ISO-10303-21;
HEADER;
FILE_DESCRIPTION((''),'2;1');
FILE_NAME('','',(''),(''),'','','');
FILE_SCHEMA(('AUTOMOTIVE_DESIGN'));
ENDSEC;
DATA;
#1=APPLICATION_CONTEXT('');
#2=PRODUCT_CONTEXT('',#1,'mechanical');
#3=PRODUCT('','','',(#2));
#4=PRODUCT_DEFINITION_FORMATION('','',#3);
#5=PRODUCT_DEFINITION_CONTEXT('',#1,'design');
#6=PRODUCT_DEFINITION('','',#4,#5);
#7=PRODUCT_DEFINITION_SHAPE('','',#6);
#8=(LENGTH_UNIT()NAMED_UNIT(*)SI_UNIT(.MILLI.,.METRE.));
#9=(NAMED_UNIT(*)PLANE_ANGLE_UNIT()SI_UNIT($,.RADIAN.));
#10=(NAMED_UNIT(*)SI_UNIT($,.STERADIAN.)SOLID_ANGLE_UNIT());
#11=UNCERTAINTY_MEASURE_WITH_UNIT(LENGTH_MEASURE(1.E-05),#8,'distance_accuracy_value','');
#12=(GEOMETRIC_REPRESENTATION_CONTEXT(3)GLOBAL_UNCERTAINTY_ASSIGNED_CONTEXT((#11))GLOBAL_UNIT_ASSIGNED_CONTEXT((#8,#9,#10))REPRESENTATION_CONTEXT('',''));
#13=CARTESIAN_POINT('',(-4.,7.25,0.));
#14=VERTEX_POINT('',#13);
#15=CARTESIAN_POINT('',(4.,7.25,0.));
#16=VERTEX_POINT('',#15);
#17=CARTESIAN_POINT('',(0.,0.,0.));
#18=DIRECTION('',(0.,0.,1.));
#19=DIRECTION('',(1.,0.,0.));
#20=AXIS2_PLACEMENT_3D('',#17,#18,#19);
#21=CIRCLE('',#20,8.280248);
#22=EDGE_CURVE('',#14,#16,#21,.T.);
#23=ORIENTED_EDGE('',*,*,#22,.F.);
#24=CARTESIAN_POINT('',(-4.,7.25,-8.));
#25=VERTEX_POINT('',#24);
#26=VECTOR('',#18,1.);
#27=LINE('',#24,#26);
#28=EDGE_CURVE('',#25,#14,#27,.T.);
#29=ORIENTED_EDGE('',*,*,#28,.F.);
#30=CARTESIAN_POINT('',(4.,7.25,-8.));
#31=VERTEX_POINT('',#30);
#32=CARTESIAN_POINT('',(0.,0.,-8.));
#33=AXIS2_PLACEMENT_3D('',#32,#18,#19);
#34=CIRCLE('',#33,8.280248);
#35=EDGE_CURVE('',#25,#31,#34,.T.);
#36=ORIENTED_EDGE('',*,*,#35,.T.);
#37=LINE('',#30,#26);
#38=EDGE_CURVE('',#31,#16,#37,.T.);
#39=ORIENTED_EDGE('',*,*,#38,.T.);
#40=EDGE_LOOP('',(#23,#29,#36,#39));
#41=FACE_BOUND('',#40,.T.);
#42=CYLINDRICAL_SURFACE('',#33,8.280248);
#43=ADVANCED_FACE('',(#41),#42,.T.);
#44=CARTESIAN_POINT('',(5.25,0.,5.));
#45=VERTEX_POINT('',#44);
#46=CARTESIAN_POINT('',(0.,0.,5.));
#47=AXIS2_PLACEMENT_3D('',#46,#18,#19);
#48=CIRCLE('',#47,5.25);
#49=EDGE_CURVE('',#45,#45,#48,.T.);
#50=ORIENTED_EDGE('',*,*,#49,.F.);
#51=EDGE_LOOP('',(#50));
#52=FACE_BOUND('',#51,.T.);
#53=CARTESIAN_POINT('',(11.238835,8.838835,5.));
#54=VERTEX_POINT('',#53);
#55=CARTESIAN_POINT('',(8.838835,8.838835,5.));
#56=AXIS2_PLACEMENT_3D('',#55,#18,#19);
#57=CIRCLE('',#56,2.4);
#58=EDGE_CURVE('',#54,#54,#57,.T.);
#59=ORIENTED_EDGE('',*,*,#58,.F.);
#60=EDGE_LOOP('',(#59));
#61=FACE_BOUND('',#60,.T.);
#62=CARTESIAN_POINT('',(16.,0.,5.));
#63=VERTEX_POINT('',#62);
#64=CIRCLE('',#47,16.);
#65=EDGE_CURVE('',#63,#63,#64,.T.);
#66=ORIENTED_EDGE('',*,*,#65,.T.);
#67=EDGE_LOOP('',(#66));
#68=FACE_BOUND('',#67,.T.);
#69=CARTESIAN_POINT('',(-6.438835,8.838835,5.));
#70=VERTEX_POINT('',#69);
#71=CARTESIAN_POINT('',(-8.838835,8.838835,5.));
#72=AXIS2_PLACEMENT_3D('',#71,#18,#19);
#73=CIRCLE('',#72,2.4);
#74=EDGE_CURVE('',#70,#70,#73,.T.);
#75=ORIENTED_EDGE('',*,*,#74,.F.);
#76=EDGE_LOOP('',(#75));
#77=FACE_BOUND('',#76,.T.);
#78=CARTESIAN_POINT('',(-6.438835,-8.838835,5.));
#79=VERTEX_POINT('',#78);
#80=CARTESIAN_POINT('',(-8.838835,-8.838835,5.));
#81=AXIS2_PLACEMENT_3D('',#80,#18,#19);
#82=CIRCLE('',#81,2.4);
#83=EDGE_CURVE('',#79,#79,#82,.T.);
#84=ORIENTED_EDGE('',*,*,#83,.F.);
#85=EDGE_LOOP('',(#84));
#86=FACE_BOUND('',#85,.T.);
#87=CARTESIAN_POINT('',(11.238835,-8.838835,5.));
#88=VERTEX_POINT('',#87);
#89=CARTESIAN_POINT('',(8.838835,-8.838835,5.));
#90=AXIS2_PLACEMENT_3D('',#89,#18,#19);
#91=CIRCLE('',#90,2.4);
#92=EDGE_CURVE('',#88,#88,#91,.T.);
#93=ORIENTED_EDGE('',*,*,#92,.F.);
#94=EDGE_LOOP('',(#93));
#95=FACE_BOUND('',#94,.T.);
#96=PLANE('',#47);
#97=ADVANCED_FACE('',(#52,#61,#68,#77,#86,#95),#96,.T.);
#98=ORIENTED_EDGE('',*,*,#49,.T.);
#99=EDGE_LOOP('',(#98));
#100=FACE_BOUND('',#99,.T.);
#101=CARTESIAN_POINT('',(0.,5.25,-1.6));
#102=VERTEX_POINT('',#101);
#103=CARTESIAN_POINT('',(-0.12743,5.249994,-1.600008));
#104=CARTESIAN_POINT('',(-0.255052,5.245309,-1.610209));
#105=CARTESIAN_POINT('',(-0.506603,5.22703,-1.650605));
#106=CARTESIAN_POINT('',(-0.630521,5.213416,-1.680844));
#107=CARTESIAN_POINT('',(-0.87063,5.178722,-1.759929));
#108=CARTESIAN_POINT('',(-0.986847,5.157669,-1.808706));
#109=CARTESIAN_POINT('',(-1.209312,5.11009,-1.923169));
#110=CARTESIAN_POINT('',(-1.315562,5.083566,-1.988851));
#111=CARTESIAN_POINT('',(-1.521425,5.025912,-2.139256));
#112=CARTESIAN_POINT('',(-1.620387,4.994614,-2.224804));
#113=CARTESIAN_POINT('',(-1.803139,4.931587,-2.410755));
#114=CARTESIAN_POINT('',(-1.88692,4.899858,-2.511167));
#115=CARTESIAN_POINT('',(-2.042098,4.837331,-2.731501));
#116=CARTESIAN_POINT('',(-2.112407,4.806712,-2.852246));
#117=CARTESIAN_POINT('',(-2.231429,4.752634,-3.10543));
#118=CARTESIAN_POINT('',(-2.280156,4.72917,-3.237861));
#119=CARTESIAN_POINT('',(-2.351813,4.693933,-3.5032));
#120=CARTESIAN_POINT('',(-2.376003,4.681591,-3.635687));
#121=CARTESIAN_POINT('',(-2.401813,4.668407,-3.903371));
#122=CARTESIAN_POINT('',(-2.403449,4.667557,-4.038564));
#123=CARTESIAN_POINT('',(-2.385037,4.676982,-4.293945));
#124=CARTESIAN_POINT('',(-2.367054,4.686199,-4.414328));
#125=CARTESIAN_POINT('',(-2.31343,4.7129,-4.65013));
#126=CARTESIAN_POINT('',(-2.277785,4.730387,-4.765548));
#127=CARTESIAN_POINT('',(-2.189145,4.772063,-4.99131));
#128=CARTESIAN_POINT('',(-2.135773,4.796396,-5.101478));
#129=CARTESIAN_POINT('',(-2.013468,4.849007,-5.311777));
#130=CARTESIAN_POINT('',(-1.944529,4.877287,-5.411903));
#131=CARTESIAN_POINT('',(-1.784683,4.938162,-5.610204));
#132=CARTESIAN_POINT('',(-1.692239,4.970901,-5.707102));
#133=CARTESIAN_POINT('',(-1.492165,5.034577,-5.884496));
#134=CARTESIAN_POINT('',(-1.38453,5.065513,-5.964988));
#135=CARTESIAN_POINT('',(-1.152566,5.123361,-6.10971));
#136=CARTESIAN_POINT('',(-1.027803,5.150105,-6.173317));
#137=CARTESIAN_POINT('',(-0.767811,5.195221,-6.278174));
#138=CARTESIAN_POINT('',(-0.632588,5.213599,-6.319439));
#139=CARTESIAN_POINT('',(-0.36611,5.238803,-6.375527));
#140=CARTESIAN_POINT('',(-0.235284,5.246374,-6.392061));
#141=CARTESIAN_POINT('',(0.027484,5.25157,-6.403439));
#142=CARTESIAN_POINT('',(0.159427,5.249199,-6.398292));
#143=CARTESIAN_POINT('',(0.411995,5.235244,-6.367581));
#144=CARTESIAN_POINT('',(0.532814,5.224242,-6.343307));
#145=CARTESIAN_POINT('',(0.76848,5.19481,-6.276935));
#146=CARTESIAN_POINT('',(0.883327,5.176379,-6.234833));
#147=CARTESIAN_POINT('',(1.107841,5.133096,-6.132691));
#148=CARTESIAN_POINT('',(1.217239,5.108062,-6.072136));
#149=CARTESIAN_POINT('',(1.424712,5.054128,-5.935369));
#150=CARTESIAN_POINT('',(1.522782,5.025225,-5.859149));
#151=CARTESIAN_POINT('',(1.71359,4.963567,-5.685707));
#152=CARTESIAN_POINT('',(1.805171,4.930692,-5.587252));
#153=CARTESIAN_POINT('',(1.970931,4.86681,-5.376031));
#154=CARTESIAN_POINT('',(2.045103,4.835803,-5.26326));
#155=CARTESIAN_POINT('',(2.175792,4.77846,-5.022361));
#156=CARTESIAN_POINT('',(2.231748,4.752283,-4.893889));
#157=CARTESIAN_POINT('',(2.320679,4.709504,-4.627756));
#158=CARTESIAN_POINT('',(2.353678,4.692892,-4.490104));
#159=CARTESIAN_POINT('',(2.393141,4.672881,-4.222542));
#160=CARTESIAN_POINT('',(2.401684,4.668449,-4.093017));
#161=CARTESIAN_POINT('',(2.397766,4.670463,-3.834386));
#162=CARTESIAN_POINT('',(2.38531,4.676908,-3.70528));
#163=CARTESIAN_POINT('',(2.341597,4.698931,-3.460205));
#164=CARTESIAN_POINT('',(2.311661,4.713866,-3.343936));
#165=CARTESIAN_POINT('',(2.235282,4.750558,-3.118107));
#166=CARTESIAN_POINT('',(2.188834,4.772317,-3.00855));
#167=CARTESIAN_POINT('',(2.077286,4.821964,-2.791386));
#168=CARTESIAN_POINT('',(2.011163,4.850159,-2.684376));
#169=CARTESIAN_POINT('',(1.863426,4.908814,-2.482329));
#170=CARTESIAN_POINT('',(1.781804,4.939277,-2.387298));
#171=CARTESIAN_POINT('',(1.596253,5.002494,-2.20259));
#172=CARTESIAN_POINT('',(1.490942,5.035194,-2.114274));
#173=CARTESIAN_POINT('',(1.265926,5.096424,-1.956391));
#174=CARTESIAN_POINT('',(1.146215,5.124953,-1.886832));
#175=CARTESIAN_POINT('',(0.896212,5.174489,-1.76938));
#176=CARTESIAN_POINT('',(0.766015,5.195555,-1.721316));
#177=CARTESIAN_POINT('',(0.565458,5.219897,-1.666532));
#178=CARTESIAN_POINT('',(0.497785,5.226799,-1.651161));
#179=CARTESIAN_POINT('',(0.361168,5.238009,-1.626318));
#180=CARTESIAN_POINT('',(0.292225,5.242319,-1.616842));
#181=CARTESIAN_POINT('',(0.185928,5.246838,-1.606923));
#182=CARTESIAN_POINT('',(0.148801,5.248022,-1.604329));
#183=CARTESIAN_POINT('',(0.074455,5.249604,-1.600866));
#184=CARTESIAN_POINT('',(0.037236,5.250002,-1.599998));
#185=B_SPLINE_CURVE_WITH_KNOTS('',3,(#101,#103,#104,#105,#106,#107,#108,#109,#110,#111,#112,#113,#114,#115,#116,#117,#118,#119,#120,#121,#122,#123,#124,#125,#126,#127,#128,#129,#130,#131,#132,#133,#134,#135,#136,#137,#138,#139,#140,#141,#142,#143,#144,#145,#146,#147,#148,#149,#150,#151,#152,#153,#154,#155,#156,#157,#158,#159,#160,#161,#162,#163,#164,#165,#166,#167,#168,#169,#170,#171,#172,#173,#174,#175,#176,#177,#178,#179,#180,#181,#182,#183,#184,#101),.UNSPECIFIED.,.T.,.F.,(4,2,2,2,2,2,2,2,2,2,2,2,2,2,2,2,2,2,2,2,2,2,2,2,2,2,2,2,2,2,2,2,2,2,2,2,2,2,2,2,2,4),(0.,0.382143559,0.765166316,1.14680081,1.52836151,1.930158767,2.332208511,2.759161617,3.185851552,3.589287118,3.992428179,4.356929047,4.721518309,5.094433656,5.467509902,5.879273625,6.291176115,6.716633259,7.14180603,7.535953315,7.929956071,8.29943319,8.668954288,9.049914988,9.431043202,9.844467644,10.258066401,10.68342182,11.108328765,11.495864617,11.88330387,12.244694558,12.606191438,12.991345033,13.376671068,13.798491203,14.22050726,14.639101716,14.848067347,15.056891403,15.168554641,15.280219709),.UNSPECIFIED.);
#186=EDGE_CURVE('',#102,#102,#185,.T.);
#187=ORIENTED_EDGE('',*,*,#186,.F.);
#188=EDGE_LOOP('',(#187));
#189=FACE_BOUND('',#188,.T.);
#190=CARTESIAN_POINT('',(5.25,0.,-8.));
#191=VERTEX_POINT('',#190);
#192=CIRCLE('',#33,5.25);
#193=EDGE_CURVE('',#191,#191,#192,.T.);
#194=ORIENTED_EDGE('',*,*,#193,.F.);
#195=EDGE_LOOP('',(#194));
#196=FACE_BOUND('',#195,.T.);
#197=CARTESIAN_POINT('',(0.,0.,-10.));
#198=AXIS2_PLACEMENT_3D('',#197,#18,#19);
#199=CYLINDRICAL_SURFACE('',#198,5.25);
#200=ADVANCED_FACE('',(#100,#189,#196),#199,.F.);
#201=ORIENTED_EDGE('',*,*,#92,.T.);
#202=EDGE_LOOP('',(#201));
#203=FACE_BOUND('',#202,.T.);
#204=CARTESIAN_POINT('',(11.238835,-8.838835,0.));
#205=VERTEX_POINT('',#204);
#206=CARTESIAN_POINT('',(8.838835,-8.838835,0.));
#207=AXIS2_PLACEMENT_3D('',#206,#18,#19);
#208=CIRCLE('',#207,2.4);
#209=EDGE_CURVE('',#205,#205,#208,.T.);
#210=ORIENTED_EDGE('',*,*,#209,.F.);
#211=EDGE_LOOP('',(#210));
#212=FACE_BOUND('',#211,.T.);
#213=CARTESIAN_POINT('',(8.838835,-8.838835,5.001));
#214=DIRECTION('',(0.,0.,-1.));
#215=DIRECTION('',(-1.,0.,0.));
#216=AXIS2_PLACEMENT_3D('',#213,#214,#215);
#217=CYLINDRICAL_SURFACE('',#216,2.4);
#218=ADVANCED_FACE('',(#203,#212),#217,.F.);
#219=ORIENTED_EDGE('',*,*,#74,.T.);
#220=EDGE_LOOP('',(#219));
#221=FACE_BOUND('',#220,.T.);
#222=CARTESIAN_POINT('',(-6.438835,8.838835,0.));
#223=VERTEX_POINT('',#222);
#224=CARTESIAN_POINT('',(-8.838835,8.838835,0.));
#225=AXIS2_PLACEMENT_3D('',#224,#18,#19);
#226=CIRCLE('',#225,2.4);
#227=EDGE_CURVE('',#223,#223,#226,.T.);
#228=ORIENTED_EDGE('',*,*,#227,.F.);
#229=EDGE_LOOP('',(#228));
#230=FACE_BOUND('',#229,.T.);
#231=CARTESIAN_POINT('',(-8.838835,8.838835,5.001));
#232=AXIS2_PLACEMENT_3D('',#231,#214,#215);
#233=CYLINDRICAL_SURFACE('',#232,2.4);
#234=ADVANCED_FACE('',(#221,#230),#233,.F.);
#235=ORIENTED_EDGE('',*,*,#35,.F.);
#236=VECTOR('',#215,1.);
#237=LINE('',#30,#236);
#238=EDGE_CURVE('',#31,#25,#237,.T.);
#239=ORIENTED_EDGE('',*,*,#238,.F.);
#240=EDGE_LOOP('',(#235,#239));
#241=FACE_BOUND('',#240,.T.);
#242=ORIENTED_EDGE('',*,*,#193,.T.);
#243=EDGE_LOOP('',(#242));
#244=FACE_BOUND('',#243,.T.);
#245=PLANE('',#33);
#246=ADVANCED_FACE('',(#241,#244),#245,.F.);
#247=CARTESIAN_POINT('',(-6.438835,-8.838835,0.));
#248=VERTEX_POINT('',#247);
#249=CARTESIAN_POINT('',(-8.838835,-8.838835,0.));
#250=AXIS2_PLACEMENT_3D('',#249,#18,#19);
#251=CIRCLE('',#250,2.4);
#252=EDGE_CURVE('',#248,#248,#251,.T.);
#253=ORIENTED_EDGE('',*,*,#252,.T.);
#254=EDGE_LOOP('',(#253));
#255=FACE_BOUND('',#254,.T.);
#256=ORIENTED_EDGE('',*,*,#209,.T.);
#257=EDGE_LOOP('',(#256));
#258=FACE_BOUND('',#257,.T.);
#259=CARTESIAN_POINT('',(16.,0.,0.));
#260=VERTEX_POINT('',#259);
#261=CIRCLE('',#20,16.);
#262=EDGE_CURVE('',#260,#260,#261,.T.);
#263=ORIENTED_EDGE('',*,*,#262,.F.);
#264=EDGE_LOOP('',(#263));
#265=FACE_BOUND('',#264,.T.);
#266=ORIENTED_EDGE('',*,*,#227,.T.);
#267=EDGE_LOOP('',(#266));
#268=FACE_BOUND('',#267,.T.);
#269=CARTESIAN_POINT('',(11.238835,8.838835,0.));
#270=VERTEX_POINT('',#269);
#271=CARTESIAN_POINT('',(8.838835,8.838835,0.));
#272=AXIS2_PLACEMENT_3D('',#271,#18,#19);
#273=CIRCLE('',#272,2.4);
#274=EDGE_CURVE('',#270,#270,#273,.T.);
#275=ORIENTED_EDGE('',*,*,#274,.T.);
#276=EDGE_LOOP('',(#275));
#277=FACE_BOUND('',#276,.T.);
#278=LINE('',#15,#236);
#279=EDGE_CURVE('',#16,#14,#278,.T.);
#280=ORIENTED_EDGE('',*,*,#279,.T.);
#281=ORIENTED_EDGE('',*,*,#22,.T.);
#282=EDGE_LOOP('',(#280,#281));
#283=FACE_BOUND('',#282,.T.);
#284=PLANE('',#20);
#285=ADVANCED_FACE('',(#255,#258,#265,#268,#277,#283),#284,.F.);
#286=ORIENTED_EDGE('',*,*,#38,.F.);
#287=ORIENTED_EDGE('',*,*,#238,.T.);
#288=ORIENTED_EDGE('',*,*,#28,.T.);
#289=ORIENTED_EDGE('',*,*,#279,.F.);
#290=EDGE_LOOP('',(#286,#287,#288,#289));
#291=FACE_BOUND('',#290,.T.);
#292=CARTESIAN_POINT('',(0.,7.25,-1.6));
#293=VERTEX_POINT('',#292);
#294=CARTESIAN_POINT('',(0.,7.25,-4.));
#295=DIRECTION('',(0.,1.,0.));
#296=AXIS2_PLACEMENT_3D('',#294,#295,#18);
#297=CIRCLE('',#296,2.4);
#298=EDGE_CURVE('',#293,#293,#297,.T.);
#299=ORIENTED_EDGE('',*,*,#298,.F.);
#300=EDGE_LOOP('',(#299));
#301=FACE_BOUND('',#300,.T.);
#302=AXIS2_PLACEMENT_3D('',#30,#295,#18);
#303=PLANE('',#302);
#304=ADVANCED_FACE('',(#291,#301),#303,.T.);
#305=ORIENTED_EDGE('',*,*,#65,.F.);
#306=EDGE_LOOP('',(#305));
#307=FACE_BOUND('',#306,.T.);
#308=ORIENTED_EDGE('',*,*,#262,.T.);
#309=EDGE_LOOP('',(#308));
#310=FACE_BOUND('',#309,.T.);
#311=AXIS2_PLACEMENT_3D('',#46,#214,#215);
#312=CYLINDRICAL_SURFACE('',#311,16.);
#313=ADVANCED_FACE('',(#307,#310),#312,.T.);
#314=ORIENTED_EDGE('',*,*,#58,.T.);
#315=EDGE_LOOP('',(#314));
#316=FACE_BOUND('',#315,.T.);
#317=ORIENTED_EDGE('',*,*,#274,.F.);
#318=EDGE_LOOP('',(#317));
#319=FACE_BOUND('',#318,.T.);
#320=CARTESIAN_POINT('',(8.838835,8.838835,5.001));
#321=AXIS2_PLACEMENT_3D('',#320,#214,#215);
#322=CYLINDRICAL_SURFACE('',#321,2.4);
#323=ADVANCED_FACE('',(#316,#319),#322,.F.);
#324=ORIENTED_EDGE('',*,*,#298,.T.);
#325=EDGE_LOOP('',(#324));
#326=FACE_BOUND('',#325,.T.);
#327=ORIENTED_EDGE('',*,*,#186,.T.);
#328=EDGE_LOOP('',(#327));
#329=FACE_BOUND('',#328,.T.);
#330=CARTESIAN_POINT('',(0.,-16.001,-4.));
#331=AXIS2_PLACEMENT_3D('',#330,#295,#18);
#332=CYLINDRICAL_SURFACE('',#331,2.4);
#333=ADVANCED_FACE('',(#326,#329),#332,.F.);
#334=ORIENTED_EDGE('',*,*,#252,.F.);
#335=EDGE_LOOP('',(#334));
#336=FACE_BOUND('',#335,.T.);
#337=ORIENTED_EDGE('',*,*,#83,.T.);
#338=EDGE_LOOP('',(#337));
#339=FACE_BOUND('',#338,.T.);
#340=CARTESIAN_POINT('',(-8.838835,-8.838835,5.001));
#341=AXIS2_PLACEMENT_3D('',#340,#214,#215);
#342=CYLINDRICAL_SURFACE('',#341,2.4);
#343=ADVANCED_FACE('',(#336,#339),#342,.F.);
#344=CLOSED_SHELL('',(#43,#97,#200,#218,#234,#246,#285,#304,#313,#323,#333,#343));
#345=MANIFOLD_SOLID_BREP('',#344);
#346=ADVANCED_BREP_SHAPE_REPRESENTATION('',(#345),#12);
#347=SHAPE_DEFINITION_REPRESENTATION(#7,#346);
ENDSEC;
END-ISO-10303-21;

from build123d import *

# Parameters (mm, degrees)
SKETCH12_R              = 16
BOSS_EXTRUDE3_DEPTH     = 5
CUT_EXTRUDE3_REACH      = 25.173
SKETCH14_R              = 2.4
BOSS_EXTRUDE4_DEPTH     = 8
SKETCH15_R              = 5.25
CUT_EXTRUDE4_DEPTH      = 10
CUT_EXTRUDE5_REACH      = 31.335
CUT_EXTRUDE5_END_RADIUS = 5.25
SKETCH17_R              = 2.4


with BuildPart() as part:
    # Sketch12 → Boss-Extrude3 (new body)
    with BuildSketch(Plane.XY):
        Circle(SKETCH12_R)
    extrude(amount=BOSS_EXTRUDE3_DEPTH)

    # Sketch14 → Cut-Extrude3 (cut, up to next)
    with BuildSketch(Plane.XY, mode=Mode.PRIVATE) as cut_extrude3_sk1:
        with Locations((8.838834765, 8.838834765)):
            Circle(SKETCH14_R)
    cut_extrude3_tool1 = extrude(cut_extrude3_sk1.sketch, amount=CUT_EXTRUDE3_REACH, mode=Mode.PRIVATE) & part.part
    # Sketch14 → Cut-Extrude3 (cut, up to next)
    with BuildSketch(Plane.XY, mode=Mode.PRIVATE) as cut_extrude3_sk2:
        with Locations((-8.838834765, 8.838834765)):
            Circle(SKETCH14_R)
    cut_extrude3_tool2 = extrude(cut_extrude3_sk2.sketch, amount=CUT_EXTRUDE3_REACH, mode=Mode.PRIVATE) & part.part
    # Sketch14 → Cut-Extrude3 (cut, up to next)
    with BuildSketch(Plane.XY, mode=Mode.PRIVATE) as cut_extrude3_sk3:
        with Locations((8.838834765, -8.838834765)):
            Circle(SKETCH14_R)
    cut_extrude3_tool3 = extrude(cut_extrude3_sk3.sketch, amount=CUT_EXTRUDE3_REACH, mode=Mode.PRIVATE) & part.part
    # Sketch14 → Cut-Extrude3 (cut, up to next)
    with BuildSketch(Plane.XY, mode=Mode.PRIVATE) as cut_extrude3_sk4:
        with Locations((-8.838834765, -8.838834765)):
            Circle(SKETCH14_R)
    cut_extrude3_tool4 = extrude(cut_extrude3_sk4.sketch, amount=CUT_EXTRUDE3_REACH, mode=Mode.PRIVATE) & part.part
    add(cut_extrude3_tool1.solids().sort_by_distance((8.838835, 8.838835, 0))[0], mode=Mode.SUBTRACT)
    add(cut_extrude3_tool2.solids().sort_by_distance((-8.838835, 8.838835, 0))[0], mode=Mode.SUBTRACT)
    add(cut_extrude3_tool3.solids().sort_by_distance((8.838835, -8.838835, 0))[0], mode=Mode.SUBTRACT)
    add(cut_extrude3_tool4.solids().sort_by_distance((-8.838835, -8.838835, 0))[0], mode=Mode.SUBTRACT)

    # Sketch16 → Boss-Extrude4 (add)
    with BuildSketch(Plane.XY):
        with BuildLine():
            Line((4, 7.25), (-4, 7.25))
            ThreePointArc((-4, 7.25), (0, -8.280247581), (4, 7.25))
        make_face()
    extrude(amount=-BOSS_EXTRUDE4_DEPTH)

    # Sketch15 → Cut-Extrude4 (cut, symmetric)
    with BuildSketch(Plane.XY):
        Circle(SKETCH15_R)
    extrude(amount=CUT_EXTRUDE4_DEPTH, both=True, mode=Mode.SUBTRACT)

    # Cut-Extrude5: up to this cylinder (the profile starts outside it)
    cut_extrude5_end = Plane(origin=(0, 0, -4), z_dir=(0, 0, 1)) * Cylinder(CUT_EXTRUDE5_END_RADIUS, 74.17, mode=Mode.PRIVATE)
    # Sketch17 → Cut-Extrude5 (cut, up to the surface)
    with BuildSketch(Plane(origin=(0, 7.25, 0), x_dir=(1, 0, 0), z_dir=(0, 1, 0)), mode=Mode.PRIVATE) as cut_extrude5_sk1:
        with Locations(Location((0, 4, 0), (0, 0, 270))):
            Circle(SKETCH17_R)
    cut_extrude5_tool1 = extrude(cut_extrude5_sk1.sketch, amount=-CUT_EXTRUDE5_REACH, mode=Mode.PRIVATE) - cut_extrude5_end
    add(cut_extrude5_tool1.solids().sort_by_distance((0, 7.25, -4))[0], mode=Mode.SUBTRACT)


solid = part.part
